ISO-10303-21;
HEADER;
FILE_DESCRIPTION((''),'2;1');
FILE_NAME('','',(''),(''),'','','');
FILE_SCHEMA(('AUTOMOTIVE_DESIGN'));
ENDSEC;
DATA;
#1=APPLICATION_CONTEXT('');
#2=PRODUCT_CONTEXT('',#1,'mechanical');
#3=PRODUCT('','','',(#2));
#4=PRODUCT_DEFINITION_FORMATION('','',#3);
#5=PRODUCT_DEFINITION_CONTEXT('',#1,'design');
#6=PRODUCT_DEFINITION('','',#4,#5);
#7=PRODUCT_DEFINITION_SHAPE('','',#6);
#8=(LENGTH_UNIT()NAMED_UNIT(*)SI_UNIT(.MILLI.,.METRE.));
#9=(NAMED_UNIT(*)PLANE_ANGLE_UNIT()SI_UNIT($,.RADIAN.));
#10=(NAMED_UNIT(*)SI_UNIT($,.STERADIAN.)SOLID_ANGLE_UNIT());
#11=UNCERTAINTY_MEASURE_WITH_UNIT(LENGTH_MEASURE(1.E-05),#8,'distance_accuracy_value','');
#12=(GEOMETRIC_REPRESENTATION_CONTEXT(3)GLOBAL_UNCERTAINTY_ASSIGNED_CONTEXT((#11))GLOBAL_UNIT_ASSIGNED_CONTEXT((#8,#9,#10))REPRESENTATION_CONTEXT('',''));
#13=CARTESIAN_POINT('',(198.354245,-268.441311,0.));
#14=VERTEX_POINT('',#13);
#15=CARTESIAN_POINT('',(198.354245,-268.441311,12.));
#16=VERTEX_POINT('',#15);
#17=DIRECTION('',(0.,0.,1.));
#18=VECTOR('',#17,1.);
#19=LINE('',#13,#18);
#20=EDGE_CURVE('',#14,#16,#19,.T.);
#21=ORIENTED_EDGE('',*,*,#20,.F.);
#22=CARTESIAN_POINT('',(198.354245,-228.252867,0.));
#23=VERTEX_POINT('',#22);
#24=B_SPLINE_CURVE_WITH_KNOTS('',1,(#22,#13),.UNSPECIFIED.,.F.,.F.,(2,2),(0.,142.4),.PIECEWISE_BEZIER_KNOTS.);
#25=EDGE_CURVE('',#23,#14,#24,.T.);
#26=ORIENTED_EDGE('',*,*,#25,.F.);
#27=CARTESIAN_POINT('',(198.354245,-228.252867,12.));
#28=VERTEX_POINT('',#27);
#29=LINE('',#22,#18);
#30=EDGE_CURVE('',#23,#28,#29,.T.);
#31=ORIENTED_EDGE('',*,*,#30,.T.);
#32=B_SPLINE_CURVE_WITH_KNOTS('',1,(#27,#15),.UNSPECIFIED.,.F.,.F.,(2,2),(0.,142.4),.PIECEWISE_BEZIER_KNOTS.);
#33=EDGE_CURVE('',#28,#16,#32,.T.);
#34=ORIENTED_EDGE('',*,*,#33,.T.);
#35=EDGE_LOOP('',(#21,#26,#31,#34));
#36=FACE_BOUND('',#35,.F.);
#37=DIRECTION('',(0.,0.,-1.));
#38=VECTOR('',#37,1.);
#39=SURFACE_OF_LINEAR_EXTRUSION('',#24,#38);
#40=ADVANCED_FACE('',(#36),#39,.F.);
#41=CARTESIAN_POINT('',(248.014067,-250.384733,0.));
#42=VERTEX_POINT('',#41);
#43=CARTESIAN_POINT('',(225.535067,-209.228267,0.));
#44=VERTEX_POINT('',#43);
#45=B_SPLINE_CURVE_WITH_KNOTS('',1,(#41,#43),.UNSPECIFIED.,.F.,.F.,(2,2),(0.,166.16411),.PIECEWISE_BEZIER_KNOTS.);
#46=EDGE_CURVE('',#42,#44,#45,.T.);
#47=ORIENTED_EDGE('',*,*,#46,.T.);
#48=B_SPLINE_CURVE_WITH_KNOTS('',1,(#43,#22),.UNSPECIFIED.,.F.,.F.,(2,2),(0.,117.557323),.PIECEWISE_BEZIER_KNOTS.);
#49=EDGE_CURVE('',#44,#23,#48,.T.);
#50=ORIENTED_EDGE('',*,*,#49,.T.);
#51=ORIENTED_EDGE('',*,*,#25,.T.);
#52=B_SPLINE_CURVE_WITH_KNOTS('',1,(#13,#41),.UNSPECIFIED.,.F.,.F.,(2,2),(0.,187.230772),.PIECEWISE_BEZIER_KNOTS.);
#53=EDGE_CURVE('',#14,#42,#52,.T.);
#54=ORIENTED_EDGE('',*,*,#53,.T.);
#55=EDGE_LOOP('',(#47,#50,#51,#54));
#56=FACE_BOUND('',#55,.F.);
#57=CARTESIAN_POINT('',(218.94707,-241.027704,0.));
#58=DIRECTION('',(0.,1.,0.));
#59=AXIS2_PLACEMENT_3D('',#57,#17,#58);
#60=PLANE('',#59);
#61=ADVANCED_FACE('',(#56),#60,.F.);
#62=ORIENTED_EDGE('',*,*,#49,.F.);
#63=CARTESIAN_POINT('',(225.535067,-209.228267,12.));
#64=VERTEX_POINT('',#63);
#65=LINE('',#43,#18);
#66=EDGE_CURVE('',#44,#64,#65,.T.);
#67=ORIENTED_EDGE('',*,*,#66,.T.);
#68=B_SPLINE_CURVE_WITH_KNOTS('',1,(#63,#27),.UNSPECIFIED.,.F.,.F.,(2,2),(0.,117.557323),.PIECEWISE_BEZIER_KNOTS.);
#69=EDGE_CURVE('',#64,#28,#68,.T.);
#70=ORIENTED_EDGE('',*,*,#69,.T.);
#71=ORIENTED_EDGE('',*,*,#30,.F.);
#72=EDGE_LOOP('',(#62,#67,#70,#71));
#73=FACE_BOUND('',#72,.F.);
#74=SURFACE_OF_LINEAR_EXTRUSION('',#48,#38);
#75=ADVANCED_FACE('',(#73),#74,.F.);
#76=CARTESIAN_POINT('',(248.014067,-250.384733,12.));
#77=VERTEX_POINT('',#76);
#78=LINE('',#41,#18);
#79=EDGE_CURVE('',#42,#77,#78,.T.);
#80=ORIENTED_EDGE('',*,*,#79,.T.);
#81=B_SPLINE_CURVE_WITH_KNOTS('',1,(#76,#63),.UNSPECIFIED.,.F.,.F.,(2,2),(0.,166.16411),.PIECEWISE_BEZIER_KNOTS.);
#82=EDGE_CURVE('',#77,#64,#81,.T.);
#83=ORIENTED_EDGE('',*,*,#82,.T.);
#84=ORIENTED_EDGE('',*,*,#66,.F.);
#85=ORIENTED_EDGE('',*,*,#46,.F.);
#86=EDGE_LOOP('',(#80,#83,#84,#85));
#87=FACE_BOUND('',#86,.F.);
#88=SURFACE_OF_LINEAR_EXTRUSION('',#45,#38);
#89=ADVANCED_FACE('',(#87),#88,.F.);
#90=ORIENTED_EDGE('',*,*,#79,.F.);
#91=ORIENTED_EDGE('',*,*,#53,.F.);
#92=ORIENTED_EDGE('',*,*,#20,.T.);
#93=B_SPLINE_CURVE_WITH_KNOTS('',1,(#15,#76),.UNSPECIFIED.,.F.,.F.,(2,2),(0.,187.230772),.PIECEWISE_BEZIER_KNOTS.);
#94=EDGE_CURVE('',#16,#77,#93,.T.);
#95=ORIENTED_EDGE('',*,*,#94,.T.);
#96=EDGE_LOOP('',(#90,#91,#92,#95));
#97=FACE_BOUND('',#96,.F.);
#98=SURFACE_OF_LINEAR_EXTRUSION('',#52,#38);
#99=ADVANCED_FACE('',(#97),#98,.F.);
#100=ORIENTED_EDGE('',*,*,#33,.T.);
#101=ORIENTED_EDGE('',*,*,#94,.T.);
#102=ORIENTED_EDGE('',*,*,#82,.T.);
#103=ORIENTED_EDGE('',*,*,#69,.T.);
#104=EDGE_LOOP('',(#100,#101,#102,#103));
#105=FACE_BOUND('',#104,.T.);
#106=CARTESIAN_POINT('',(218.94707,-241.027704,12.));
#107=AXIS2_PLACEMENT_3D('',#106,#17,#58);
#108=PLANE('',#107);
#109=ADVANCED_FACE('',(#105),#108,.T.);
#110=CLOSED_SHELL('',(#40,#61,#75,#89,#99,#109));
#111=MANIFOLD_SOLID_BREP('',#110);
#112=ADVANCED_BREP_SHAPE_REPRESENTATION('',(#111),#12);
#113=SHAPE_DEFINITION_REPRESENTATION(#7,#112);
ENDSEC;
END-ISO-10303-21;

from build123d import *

# Parameters (mm, degrees)
EXTRUDE_DEPTH = 12


with BuildPart() as part:
    # Polyline002 → Extrude (new body)
    with BuildSketch(Plane(origin=(223.184156, -238.834789, 0), x_dir=(0, 1, 0), z_dir=(0, 0, 1))):
        with BuildLine():
            add(Edge.make_bspline(
                [(10.581922, 24.829911), (-29.606522, 24.829911)],
                knots=[0, 0, 142.4, 142.4], degree=1))
            add(Edge.make_bspline(
                [(-29.606522, 24.829911), (-11.549944, -24.829911)],
                knots=[0, 0, 187.230772, 187.230772], degree=1))
            add(Edge.make_bspline(
                [(-11.549944, -24.829911), (29.606522, -2.350911)],
                knots=[0, 0, 166.16411, 166.16411], degree=1))
            add(Edge.make_bspline(
                [(29.606522, -2.350911), (10.581922, 24.829911)],
                knots=[0, 0, 117.557323, 117.557323], degree=1))
        make_face()
    extrude(amount=EXTRUDE_DEPTH)


solid = part.part
